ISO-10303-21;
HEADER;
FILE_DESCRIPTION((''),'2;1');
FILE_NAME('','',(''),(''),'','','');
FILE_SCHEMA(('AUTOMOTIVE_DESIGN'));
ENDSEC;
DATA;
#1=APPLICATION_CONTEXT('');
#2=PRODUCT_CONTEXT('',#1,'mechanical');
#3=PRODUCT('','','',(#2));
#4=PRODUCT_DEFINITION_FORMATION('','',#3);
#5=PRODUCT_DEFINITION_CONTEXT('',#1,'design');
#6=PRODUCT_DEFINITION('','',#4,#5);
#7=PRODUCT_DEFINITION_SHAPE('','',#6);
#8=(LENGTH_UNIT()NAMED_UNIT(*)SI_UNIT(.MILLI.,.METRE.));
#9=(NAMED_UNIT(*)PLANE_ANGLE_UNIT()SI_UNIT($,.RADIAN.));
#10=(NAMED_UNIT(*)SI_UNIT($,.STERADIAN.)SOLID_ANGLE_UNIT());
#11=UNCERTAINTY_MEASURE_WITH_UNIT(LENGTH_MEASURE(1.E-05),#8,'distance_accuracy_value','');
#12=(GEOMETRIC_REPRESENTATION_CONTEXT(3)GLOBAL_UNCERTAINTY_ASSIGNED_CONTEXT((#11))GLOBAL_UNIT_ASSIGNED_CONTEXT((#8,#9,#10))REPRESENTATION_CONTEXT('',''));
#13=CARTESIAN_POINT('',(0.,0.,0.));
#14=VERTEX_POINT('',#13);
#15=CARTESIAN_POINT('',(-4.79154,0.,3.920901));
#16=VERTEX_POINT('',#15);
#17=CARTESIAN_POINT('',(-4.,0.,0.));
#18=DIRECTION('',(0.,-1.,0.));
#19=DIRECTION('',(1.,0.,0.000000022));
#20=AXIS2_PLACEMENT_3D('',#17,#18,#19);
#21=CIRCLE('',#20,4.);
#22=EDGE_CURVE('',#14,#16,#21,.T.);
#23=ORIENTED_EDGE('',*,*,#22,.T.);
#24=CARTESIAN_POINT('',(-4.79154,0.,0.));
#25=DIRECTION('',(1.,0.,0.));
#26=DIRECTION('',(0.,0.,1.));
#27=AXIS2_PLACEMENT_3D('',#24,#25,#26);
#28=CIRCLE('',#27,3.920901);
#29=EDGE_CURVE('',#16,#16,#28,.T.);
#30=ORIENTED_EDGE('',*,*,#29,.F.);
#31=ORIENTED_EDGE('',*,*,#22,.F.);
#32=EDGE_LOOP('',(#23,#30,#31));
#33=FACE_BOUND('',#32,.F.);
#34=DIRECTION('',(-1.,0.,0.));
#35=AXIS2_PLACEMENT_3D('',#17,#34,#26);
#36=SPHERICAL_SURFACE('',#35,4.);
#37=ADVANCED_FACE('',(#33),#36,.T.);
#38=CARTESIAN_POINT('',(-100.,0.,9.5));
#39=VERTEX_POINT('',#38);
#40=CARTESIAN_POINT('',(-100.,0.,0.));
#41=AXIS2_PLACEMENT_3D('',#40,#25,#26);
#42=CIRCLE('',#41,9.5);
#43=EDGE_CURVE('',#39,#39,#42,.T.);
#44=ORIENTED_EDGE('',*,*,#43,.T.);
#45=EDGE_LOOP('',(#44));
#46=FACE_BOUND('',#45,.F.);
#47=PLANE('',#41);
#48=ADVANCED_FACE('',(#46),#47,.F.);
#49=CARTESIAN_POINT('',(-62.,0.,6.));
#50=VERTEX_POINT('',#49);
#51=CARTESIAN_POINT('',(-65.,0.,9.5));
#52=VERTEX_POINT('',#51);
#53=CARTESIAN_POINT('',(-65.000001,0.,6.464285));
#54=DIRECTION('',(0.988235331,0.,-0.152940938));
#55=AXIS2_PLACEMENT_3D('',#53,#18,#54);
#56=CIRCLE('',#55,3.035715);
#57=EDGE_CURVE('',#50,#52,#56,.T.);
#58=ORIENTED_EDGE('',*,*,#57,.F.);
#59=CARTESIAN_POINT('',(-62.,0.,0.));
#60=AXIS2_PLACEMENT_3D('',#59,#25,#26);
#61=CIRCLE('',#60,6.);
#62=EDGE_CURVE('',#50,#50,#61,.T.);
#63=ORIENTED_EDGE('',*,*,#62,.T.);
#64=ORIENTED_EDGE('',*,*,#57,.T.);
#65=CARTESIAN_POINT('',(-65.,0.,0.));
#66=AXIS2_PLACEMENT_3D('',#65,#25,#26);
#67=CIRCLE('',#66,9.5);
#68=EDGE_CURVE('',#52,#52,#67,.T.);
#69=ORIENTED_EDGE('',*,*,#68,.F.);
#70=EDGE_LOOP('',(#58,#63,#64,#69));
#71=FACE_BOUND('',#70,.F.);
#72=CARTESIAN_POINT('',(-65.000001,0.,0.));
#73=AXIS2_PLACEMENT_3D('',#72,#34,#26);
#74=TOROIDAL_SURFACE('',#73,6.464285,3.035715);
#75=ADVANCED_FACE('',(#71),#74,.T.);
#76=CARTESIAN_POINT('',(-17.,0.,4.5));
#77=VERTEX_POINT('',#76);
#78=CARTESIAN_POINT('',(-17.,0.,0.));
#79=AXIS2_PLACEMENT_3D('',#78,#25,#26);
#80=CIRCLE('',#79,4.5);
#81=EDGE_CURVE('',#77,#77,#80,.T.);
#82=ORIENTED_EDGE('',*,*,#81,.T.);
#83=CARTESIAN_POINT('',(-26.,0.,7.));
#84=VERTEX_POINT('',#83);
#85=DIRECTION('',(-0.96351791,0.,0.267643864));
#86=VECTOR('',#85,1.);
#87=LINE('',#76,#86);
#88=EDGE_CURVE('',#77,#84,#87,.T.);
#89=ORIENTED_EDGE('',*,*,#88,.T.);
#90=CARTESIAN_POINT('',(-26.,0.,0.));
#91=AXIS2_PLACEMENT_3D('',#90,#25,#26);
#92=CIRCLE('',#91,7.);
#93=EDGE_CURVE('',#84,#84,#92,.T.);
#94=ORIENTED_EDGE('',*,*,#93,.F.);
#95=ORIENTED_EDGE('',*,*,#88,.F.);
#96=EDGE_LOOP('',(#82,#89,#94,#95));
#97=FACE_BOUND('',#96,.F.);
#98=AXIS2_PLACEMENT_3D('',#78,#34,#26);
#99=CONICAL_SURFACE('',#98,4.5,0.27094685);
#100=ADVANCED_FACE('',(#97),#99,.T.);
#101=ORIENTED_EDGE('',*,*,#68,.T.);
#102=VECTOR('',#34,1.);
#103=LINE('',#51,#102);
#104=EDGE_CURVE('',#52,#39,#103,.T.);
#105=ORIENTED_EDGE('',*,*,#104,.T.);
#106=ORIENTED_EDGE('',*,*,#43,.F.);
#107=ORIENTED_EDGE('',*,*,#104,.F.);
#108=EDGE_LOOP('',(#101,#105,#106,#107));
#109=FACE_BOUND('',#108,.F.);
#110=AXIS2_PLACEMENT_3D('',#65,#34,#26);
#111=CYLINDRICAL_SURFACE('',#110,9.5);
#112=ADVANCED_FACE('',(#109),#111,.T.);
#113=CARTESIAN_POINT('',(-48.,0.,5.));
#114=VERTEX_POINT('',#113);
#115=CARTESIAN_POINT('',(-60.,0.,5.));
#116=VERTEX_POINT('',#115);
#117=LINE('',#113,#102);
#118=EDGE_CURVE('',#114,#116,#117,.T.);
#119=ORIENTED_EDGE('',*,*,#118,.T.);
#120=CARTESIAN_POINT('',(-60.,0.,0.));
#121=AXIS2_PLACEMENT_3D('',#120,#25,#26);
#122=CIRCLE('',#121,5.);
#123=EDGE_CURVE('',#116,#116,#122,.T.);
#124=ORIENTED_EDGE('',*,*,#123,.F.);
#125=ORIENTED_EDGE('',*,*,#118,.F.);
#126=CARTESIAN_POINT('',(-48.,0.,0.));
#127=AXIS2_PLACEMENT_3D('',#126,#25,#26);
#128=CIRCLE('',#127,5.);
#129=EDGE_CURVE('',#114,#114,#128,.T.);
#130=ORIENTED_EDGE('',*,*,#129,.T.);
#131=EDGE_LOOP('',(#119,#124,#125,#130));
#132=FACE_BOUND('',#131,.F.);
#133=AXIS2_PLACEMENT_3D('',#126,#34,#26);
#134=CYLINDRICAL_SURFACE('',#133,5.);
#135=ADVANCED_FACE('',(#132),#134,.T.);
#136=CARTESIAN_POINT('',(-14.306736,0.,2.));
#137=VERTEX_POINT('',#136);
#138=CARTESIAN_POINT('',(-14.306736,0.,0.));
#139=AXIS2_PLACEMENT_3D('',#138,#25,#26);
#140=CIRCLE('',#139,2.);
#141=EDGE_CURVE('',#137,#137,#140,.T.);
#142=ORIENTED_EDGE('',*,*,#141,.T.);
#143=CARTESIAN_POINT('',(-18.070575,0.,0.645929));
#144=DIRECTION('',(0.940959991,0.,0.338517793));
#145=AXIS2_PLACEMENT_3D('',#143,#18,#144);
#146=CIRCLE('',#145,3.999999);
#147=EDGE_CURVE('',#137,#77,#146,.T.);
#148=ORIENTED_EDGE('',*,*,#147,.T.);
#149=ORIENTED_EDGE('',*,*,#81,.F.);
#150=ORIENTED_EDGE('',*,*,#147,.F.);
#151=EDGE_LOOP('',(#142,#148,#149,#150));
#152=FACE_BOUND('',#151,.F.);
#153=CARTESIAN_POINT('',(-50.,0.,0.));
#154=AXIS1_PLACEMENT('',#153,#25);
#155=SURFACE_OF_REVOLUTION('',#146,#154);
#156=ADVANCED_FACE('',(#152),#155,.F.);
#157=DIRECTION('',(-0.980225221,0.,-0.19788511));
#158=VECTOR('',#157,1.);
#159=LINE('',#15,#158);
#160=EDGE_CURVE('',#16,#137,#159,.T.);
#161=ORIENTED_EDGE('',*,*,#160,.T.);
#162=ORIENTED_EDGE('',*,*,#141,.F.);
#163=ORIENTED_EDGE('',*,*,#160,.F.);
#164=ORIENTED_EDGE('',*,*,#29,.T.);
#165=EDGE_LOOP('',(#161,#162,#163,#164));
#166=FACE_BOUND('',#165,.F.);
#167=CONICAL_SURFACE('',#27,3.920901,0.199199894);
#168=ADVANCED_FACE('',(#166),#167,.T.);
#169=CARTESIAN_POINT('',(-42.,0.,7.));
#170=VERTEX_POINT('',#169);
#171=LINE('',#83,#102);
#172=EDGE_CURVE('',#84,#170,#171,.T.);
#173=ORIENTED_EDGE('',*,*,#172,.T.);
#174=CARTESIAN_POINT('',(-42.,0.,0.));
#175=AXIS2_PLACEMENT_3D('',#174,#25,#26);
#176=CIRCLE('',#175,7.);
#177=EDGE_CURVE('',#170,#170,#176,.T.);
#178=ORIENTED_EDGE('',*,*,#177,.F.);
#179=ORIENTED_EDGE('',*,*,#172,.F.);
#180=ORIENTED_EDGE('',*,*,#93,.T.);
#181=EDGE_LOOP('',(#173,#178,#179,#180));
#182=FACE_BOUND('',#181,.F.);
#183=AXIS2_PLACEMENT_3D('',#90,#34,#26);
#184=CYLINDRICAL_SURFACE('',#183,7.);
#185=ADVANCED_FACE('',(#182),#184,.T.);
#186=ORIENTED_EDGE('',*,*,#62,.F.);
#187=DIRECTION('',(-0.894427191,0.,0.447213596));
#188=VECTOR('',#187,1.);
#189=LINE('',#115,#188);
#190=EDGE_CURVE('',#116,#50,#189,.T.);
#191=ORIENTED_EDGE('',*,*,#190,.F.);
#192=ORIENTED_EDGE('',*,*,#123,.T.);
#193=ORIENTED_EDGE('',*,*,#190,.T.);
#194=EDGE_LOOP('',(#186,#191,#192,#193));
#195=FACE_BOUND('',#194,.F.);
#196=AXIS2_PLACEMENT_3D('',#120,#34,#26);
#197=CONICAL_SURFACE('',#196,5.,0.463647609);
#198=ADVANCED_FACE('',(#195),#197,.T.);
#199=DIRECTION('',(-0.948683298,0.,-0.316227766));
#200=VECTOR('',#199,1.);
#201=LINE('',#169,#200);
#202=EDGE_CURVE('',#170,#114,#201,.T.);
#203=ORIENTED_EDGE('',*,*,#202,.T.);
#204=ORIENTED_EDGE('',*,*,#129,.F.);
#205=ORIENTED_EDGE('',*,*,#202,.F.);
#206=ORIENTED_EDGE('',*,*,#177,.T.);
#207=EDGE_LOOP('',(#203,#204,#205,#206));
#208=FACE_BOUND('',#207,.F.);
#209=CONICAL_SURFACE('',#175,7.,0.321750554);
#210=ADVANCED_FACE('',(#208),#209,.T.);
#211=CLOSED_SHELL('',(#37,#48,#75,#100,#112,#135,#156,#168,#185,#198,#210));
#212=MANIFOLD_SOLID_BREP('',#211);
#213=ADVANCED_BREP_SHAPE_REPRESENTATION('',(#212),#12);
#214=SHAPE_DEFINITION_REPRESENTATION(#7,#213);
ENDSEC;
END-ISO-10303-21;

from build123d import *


with BuildPart() as f1:
    # F0 (on Front) → F1 (revolve)
    with BuildSketch(Plane.XZ):
        with BuildLine():
            Line((-100, 0), (0, 0))
            ThreePointArc((0, 0), (-1.466836, 3.095655), (-4.79154, 3.920901))
            Line((-4.79154, 3.920901), (-14.306736, 2))
            ThreePointArc((-14.306736, 2), (-15.34929, 3.577584), (-17, 4.5))
            Line((-17, 4.5), (-26, 7))
            Line((-26, 7), (-42, 7))
            Line((-42, 7), (-48, 5))
            Line((-48, 5), (-60, 5))
            Line((-60, 5), (-62, 6))
            ThreePointArc((-62, 6), (-62.695114, 8.439902), (-65, 9.5))
            Line((-65, 9.5), (-100, 9.5))
            Line((-100, 9.5), (-100, 0))
        make_face()
    revolve(axis=Axis((-50, 0, 0), (1, 0, 0)))


solid = f1.part
